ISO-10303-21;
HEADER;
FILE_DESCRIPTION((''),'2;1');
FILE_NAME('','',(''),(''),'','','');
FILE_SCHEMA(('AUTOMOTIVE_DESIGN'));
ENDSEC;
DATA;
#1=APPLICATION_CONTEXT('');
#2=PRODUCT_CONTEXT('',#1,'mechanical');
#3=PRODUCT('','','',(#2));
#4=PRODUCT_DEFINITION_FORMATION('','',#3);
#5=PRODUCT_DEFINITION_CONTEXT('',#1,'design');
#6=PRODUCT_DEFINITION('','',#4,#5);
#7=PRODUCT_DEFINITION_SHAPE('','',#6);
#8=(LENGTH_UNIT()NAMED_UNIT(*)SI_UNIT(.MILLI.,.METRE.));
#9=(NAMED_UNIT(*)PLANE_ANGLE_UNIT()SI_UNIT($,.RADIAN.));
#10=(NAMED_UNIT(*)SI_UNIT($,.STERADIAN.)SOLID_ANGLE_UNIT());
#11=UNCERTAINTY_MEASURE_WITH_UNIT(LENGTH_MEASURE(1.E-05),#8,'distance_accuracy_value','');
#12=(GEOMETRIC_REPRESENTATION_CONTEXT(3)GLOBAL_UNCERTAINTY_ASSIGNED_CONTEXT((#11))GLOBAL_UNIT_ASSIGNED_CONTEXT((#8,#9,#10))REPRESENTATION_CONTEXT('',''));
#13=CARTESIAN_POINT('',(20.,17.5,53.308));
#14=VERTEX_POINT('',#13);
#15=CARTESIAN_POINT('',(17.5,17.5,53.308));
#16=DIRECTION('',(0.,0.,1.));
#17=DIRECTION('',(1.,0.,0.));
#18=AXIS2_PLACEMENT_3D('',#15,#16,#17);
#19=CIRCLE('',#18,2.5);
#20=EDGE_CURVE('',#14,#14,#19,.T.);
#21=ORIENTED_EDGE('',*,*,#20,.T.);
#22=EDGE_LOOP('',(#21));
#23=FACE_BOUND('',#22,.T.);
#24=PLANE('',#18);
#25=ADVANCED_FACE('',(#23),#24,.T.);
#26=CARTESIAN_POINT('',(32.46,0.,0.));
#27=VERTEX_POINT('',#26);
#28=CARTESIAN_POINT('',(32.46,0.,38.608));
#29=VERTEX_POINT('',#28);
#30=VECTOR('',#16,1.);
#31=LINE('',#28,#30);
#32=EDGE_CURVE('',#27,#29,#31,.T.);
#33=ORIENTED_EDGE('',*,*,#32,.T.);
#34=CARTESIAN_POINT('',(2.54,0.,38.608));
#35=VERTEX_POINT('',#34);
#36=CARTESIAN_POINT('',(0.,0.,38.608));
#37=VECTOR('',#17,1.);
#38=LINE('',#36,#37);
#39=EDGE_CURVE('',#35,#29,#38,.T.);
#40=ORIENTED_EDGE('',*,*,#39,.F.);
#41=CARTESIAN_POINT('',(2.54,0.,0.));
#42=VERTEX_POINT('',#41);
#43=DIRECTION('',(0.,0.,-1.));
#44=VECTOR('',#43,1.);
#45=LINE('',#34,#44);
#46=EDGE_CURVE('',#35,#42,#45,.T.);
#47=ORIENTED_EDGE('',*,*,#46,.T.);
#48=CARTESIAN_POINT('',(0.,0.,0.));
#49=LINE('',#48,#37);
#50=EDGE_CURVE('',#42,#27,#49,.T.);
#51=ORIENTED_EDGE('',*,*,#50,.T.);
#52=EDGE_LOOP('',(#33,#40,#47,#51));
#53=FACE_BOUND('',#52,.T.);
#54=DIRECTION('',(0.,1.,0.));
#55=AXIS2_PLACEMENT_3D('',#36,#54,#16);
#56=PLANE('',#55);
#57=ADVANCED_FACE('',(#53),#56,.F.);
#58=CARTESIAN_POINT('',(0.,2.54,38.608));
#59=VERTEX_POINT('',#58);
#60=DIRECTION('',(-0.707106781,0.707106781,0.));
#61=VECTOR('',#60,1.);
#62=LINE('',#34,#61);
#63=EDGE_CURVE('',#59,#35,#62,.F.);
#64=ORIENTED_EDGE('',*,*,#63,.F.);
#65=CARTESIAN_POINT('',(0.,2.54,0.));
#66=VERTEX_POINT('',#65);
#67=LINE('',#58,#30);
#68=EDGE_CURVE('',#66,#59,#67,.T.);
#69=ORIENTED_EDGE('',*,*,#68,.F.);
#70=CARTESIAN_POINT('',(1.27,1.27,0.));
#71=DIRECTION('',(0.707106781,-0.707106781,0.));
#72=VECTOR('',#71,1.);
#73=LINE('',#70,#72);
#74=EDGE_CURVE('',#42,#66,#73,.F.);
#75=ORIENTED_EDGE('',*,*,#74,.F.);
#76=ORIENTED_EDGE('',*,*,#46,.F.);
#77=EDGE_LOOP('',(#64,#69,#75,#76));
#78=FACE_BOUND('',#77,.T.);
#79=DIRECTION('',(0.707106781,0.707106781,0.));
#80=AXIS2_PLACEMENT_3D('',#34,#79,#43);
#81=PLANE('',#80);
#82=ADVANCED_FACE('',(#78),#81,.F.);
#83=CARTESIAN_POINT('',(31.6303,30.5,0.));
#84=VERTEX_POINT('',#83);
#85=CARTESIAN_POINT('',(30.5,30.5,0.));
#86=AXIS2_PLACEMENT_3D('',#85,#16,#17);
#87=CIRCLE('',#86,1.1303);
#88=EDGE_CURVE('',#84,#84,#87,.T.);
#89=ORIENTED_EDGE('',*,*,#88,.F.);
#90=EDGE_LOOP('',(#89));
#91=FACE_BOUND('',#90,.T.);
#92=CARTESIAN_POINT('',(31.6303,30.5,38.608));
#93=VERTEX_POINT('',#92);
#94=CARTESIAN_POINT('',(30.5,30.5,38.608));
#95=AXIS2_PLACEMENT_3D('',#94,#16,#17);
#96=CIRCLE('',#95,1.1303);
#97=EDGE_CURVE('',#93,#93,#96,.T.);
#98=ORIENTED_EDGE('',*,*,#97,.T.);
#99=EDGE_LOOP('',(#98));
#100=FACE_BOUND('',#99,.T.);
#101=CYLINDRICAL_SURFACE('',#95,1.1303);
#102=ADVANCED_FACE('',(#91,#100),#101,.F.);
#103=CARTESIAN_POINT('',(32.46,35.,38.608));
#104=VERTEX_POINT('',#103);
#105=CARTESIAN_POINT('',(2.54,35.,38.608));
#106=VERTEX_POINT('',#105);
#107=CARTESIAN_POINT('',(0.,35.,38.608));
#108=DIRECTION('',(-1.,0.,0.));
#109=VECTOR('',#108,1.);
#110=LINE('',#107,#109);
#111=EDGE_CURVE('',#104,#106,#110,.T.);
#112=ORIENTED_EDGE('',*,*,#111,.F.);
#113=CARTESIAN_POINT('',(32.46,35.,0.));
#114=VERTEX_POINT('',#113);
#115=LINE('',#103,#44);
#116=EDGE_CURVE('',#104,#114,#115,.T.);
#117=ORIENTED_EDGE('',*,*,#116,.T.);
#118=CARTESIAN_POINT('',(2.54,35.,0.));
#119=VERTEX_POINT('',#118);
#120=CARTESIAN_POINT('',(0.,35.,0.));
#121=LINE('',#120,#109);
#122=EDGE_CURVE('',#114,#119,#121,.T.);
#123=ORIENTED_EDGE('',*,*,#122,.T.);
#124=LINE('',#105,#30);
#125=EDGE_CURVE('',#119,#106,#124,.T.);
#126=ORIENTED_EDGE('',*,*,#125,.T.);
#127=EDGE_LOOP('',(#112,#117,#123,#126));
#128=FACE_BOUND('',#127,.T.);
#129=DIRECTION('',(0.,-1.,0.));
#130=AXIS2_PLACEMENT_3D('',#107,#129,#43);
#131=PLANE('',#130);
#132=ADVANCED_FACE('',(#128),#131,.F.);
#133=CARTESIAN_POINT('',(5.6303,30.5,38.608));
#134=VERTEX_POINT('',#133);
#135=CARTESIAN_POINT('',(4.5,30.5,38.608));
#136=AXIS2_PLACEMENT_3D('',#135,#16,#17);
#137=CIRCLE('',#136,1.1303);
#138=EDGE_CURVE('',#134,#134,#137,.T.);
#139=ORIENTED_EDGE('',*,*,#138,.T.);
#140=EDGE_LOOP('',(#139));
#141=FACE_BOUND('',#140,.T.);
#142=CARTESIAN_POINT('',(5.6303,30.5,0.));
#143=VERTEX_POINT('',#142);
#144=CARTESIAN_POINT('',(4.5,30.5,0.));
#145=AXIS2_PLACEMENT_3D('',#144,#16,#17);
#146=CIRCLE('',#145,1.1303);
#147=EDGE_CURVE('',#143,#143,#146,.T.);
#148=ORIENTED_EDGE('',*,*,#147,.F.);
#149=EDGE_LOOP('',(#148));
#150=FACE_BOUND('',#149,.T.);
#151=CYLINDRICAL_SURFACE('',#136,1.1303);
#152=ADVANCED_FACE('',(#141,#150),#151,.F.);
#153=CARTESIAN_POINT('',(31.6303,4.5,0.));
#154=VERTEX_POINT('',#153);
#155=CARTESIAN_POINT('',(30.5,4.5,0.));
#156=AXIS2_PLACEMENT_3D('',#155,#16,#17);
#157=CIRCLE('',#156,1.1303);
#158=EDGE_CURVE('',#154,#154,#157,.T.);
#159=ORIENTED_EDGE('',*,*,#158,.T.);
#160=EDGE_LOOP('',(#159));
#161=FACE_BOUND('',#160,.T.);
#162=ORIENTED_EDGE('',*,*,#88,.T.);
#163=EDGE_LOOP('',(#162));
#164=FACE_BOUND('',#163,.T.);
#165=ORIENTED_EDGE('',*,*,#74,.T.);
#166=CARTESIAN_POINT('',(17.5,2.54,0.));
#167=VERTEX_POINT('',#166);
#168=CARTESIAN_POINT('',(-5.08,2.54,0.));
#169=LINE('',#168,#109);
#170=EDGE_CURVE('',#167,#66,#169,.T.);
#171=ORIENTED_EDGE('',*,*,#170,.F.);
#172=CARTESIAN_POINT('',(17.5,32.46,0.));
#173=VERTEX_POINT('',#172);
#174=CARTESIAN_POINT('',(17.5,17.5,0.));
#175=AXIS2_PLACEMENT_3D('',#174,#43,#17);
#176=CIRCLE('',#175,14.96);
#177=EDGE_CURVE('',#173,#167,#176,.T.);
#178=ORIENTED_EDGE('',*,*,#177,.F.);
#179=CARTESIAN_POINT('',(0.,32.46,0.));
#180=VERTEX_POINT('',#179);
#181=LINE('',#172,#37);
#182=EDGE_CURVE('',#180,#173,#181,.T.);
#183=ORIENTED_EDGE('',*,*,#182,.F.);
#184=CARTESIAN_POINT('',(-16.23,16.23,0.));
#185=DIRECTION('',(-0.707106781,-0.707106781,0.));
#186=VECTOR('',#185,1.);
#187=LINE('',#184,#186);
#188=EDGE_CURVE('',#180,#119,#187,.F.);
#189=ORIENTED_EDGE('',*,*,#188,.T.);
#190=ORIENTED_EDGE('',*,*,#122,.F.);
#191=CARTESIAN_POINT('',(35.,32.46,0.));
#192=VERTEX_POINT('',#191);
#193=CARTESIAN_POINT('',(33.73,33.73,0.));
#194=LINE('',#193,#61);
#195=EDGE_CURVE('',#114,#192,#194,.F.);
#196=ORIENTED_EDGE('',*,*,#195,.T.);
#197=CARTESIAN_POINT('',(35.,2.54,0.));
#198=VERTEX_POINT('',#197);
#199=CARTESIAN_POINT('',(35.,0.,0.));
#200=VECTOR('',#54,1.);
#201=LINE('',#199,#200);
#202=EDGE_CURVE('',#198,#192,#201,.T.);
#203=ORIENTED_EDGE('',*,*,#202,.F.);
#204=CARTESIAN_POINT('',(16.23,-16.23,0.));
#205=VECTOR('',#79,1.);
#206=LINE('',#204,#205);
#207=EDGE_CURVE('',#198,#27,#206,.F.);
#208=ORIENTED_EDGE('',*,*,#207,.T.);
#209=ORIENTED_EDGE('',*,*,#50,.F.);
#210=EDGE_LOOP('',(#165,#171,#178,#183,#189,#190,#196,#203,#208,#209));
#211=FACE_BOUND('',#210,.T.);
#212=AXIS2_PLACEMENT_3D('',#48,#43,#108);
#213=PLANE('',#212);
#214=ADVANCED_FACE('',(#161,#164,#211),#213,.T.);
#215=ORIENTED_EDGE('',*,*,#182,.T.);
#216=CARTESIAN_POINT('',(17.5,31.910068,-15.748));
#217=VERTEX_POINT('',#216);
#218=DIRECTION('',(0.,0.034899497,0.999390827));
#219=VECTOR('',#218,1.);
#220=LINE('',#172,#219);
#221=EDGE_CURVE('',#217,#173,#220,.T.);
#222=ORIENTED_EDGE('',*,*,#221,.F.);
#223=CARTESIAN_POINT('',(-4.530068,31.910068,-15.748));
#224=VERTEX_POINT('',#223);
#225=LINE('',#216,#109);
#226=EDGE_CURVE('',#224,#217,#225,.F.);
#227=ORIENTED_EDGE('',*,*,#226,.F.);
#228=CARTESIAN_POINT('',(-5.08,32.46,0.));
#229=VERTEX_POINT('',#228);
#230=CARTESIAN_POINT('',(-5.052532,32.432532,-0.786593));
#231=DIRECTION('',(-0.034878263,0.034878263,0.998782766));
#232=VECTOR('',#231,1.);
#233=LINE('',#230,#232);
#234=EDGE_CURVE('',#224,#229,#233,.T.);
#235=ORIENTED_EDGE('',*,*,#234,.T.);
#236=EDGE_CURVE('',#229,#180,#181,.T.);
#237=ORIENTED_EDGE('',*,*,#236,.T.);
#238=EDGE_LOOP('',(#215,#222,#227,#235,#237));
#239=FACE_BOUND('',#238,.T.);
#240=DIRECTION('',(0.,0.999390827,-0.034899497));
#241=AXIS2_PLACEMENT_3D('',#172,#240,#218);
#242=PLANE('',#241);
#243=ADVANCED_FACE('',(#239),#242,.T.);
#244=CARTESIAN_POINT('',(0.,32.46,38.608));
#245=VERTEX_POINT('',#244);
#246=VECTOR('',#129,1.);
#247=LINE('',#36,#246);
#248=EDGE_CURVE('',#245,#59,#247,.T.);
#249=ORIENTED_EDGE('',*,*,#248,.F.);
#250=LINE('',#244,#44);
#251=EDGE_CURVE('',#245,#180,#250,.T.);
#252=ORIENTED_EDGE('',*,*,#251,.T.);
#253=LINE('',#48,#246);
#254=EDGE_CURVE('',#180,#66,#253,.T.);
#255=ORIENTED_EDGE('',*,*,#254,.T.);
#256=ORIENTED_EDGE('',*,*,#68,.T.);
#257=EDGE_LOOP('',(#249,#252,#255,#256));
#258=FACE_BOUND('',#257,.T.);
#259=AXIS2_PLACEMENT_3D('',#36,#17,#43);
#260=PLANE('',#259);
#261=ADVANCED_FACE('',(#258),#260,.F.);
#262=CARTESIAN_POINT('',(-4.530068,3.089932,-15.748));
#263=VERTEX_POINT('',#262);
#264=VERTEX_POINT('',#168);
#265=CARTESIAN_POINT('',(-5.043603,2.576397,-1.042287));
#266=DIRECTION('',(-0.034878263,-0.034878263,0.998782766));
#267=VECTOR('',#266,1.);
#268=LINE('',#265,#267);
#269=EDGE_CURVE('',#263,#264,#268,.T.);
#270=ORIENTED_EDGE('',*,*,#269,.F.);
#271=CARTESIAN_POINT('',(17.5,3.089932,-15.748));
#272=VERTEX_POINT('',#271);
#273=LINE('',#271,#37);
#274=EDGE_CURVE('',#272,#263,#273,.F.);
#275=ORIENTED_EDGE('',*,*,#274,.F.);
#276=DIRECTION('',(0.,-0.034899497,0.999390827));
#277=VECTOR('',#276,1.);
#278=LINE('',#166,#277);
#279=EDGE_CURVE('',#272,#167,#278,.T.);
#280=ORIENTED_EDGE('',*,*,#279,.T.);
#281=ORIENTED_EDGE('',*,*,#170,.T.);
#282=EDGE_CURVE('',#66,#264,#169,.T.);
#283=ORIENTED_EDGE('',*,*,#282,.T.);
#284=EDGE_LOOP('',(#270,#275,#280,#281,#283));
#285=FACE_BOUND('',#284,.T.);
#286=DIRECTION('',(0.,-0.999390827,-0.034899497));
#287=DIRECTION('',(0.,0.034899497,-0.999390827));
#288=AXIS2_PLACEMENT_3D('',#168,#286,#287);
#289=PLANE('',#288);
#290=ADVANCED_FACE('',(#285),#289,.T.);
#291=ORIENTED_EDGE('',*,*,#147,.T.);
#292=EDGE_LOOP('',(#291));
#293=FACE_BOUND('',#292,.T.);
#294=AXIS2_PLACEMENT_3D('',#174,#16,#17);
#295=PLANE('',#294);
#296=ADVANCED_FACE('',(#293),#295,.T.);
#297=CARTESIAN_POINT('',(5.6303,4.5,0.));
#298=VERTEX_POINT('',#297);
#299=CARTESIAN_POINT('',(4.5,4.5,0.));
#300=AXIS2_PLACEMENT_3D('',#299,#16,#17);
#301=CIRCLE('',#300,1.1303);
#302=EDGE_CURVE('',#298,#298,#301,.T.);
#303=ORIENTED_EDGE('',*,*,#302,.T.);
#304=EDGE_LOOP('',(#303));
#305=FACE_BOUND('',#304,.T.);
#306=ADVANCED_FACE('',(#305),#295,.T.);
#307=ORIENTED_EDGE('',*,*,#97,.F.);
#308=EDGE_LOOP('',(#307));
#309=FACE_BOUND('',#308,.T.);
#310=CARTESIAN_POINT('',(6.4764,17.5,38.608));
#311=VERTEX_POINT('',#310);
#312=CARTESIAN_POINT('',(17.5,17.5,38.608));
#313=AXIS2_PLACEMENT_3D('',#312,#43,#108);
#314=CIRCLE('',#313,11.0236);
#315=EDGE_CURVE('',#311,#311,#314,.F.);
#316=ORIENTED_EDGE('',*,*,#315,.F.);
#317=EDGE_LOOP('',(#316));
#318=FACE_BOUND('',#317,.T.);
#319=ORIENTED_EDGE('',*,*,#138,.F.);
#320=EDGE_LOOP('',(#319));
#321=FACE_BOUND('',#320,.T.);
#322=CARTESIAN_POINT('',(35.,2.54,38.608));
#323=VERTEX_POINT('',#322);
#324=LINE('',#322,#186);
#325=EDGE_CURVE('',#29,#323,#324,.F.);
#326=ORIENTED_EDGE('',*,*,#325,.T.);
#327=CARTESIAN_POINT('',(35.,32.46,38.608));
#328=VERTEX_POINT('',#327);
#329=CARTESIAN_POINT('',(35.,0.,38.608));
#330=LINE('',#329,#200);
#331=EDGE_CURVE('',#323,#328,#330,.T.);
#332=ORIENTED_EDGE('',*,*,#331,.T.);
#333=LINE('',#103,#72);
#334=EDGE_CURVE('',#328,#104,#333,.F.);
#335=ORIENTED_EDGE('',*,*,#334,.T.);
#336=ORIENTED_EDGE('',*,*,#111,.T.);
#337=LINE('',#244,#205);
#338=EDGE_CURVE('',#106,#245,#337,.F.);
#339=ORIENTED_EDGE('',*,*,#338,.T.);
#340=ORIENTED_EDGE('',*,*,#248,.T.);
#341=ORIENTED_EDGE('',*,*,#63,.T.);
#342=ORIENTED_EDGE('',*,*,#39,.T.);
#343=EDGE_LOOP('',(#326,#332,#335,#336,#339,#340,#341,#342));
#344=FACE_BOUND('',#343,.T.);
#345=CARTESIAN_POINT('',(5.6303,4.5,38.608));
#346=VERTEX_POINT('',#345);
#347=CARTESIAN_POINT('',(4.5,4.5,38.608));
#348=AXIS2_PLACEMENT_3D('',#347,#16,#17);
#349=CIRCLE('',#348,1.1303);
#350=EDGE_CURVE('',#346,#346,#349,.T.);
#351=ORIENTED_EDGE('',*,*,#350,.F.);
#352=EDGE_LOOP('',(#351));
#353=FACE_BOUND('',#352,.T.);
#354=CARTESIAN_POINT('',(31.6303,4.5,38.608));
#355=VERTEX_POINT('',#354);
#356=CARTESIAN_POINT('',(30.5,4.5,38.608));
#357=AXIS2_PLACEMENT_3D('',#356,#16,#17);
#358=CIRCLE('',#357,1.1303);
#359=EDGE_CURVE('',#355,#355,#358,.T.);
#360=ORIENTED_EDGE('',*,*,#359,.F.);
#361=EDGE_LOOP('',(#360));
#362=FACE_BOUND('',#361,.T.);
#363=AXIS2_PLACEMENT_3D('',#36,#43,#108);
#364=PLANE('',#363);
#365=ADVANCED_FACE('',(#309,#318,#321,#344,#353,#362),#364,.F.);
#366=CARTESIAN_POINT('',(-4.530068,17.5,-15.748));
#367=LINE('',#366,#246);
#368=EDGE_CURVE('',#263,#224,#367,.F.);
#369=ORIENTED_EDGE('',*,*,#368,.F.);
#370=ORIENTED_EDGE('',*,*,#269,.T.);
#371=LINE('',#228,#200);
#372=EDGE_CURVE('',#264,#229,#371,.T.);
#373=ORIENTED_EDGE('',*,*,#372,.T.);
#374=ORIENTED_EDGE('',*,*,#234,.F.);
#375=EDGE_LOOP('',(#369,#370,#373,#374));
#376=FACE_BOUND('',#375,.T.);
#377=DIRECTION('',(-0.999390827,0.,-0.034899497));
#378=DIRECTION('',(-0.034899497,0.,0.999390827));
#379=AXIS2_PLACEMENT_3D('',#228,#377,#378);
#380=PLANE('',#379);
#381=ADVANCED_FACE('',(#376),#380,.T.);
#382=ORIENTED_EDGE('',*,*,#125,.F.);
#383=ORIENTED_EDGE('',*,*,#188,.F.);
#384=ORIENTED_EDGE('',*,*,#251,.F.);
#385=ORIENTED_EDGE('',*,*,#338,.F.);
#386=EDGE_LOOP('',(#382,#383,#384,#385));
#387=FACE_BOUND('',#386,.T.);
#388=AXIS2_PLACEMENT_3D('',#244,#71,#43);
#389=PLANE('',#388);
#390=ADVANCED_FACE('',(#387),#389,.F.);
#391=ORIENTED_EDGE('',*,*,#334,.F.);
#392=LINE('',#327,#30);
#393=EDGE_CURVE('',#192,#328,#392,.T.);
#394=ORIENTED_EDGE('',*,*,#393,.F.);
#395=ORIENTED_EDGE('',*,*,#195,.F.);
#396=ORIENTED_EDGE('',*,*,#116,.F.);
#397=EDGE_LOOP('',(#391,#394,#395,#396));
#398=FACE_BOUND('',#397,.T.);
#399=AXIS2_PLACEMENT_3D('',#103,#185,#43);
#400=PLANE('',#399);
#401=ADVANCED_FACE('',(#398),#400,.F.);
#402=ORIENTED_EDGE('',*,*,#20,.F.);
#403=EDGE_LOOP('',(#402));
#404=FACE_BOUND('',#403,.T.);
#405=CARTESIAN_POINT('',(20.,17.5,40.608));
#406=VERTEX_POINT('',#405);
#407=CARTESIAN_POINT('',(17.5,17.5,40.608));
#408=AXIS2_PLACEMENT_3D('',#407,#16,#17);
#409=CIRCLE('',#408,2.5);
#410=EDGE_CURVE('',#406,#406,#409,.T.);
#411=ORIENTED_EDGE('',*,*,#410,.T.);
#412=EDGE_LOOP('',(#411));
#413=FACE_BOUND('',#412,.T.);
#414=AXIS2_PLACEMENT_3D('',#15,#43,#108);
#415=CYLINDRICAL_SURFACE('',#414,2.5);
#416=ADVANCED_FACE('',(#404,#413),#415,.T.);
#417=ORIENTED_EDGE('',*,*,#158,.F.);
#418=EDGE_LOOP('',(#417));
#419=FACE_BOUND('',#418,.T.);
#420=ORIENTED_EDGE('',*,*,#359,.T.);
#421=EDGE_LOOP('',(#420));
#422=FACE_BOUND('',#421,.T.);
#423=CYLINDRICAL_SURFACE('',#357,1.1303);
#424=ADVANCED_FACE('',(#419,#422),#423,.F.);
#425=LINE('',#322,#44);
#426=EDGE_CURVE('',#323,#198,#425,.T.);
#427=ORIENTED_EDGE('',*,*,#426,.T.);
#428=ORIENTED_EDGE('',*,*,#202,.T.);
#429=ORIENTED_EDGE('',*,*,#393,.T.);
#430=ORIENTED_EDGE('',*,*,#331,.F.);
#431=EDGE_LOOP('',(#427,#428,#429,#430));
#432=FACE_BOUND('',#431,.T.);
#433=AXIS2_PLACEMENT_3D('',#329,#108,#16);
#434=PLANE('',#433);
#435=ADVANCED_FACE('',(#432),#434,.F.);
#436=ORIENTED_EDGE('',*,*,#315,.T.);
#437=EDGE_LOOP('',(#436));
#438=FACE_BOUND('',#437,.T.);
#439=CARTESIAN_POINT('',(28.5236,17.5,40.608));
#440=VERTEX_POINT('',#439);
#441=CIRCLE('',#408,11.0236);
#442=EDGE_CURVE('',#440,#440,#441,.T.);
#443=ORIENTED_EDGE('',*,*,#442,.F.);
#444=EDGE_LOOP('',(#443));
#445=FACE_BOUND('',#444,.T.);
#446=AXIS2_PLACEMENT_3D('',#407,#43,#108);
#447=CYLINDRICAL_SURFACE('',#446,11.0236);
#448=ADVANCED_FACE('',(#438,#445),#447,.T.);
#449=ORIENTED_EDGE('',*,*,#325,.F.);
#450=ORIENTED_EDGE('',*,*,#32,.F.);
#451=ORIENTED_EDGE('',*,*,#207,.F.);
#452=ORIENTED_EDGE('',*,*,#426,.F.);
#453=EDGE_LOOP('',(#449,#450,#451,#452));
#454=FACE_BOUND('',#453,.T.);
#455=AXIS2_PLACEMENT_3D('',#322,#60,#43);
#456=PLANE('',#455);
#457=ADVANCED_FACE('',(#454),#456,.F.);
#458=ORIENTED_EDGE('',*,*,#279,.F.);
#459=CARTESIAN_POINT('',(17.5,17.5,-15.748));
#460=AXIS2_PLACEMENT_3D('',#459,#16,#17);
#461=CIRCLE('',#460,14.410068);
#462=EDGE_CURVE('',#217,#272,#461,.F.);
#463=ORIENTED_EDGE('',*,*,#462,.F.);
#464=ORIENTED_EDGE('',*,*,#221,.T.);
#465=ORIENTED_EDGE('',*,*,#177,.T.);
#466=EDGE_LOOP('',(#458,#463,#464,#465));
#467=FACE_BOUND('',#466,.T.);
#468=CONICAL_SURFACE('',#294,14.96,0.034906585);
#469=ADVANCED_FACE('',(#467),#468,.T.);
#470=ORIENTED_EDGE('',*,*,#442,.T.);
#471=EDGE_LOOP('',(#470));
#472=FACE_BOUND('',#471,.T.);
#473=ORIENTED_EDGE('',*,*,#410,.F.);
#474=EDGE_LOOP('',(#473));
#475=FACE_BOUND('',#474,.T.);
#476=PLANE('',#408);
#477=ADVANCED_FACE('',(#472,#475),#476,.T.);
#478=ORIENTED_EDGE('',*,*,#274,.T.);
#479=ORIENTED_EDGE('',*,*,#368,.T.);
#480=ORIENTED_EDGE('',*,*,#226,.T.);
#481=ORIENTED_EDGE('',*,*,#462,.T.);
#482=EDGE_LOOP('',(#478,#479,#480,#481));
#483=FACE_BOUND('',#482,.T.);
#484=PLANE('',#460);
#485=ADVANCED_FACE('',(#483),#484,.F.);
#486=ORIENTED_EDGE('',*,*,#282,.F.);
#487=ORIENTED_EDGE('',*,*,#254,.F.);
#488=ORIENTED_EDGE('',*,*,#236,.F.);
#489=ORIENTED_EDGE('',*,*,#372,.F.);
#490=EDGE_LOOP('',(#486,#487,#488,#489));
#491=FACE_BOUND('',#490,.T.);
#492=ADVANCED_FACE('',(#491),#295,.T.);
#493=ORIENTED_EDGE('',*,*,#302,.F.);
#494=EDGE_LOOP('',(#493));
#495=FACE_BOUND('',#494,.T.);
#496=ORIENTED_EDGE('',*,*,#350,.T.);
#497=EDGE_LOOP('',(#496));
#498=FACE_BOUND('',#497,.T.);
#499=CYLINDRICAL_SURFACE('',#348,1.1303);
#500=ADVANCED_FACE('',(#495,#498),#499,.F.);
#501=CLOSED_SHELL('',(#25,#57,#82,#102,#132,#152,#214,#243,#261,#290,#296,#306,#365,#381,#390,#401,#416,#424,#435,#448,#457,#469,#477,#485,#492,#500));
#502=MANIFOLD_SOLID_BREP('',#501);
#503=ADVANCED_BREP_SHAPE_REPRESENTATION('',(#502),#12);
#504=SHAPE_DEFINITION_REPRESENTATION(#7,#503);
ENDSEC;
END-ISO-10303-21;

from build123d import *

# Parameters (mm, degrees)
SKETCH1_W             = 35
SKETCH1_H             = 35
BOSS_EXTRUDE1_DEPTH   = 38.608
CHAMFER1_SIZE         = 2.54
SKETCH2_R             = 11.0236
BOSS_EXTRUDE2_DEPTH   = 2
SKETCH3_R             = 2.5
BOSS_EXTRUDE3_DEPTH   = 12.7
F_4_40_TAPPED_HOLE1_D = 2.2606
BOSS_EXTRUDE4_DEPTH   = 15.748
BOSS_EXTRUDE4_TAPER   = 2


with BuildPart() as part:
    # Sketch1 → Boss-Extrude1 (new body)
    with BuildSketch(Plane.XY):
        with Locations((17.5, 17.5)):
            Rectangle(SKETCH1_W, SKETCH1_H)
    extrude(amount=BOSS_EXTRUDE1_DEPTH)

    # Chamfer1
    chamfer1_edges = [part.edges().sort_by_distance(p)[0] for p in [
        (0, 35, 19.304),
        (35, 35, 19.304),
        (35, 0, 19.304),
        (0, 0, 19.304),
    ]]
    chamfer(chamfer1_edges, length=CHAMFER1_SIZE)

    # Sketch2 → Boss-Extrude2 (add)
    with BuildSketch(Plane.XY.offset(38.608)):
        with Locations(Location((17.5, 17.5, 0), (0, 0, 180))):  # turned: the seam where the file's is
            Circle(SKETCH2_R)
    extrude(amount=BOSS_EXTRUDE2_DEPTH)

    # Sketch3 → Boss-Extrude3 (add)
    with BuildSketch(Plane.XY.offset(40.608)):
        with Locations((17.5, 17.5)):
            Circle(SKETCH3_R)
    extrude(amount=BOSS_EXTRUDE3_DEPTH)

    # #4-40 Tapped Hole1 (through all)
    with Locations(Plane.XY.offset(38.608)):
        with Locations((4.5, 30.5), (30.5, 4.5), (4.5, 4.5), (30.5, 30.5)):
            Hole(F_4_40_TAPPED_HOLE1_D / 2)

    # Sketch6 → Boss-Extrude4 (add)
    with BuildSketch(Plane(origin=(0, 0, 0), x_dir=(-1, 0, 0), z_dir=(0, 0, -1))):
        with BuildLine():
            Line((5.08, 2.54), (5.08, 32.46))
            Line((5.08, 32.46), (-17.5, 32.46))
            ThreePointArc((-17.5, 32.46), (-32.46, 17.5), (-17.5, 2.54))
            Line((-17.5, 2.54), (5.08, 2.54))
        make_face()
    extrude(amount=BOSS_EXTRUDE4_DEPTH, taper=BOSS_EXTRUDE4_TAPER)


solid = part.part
